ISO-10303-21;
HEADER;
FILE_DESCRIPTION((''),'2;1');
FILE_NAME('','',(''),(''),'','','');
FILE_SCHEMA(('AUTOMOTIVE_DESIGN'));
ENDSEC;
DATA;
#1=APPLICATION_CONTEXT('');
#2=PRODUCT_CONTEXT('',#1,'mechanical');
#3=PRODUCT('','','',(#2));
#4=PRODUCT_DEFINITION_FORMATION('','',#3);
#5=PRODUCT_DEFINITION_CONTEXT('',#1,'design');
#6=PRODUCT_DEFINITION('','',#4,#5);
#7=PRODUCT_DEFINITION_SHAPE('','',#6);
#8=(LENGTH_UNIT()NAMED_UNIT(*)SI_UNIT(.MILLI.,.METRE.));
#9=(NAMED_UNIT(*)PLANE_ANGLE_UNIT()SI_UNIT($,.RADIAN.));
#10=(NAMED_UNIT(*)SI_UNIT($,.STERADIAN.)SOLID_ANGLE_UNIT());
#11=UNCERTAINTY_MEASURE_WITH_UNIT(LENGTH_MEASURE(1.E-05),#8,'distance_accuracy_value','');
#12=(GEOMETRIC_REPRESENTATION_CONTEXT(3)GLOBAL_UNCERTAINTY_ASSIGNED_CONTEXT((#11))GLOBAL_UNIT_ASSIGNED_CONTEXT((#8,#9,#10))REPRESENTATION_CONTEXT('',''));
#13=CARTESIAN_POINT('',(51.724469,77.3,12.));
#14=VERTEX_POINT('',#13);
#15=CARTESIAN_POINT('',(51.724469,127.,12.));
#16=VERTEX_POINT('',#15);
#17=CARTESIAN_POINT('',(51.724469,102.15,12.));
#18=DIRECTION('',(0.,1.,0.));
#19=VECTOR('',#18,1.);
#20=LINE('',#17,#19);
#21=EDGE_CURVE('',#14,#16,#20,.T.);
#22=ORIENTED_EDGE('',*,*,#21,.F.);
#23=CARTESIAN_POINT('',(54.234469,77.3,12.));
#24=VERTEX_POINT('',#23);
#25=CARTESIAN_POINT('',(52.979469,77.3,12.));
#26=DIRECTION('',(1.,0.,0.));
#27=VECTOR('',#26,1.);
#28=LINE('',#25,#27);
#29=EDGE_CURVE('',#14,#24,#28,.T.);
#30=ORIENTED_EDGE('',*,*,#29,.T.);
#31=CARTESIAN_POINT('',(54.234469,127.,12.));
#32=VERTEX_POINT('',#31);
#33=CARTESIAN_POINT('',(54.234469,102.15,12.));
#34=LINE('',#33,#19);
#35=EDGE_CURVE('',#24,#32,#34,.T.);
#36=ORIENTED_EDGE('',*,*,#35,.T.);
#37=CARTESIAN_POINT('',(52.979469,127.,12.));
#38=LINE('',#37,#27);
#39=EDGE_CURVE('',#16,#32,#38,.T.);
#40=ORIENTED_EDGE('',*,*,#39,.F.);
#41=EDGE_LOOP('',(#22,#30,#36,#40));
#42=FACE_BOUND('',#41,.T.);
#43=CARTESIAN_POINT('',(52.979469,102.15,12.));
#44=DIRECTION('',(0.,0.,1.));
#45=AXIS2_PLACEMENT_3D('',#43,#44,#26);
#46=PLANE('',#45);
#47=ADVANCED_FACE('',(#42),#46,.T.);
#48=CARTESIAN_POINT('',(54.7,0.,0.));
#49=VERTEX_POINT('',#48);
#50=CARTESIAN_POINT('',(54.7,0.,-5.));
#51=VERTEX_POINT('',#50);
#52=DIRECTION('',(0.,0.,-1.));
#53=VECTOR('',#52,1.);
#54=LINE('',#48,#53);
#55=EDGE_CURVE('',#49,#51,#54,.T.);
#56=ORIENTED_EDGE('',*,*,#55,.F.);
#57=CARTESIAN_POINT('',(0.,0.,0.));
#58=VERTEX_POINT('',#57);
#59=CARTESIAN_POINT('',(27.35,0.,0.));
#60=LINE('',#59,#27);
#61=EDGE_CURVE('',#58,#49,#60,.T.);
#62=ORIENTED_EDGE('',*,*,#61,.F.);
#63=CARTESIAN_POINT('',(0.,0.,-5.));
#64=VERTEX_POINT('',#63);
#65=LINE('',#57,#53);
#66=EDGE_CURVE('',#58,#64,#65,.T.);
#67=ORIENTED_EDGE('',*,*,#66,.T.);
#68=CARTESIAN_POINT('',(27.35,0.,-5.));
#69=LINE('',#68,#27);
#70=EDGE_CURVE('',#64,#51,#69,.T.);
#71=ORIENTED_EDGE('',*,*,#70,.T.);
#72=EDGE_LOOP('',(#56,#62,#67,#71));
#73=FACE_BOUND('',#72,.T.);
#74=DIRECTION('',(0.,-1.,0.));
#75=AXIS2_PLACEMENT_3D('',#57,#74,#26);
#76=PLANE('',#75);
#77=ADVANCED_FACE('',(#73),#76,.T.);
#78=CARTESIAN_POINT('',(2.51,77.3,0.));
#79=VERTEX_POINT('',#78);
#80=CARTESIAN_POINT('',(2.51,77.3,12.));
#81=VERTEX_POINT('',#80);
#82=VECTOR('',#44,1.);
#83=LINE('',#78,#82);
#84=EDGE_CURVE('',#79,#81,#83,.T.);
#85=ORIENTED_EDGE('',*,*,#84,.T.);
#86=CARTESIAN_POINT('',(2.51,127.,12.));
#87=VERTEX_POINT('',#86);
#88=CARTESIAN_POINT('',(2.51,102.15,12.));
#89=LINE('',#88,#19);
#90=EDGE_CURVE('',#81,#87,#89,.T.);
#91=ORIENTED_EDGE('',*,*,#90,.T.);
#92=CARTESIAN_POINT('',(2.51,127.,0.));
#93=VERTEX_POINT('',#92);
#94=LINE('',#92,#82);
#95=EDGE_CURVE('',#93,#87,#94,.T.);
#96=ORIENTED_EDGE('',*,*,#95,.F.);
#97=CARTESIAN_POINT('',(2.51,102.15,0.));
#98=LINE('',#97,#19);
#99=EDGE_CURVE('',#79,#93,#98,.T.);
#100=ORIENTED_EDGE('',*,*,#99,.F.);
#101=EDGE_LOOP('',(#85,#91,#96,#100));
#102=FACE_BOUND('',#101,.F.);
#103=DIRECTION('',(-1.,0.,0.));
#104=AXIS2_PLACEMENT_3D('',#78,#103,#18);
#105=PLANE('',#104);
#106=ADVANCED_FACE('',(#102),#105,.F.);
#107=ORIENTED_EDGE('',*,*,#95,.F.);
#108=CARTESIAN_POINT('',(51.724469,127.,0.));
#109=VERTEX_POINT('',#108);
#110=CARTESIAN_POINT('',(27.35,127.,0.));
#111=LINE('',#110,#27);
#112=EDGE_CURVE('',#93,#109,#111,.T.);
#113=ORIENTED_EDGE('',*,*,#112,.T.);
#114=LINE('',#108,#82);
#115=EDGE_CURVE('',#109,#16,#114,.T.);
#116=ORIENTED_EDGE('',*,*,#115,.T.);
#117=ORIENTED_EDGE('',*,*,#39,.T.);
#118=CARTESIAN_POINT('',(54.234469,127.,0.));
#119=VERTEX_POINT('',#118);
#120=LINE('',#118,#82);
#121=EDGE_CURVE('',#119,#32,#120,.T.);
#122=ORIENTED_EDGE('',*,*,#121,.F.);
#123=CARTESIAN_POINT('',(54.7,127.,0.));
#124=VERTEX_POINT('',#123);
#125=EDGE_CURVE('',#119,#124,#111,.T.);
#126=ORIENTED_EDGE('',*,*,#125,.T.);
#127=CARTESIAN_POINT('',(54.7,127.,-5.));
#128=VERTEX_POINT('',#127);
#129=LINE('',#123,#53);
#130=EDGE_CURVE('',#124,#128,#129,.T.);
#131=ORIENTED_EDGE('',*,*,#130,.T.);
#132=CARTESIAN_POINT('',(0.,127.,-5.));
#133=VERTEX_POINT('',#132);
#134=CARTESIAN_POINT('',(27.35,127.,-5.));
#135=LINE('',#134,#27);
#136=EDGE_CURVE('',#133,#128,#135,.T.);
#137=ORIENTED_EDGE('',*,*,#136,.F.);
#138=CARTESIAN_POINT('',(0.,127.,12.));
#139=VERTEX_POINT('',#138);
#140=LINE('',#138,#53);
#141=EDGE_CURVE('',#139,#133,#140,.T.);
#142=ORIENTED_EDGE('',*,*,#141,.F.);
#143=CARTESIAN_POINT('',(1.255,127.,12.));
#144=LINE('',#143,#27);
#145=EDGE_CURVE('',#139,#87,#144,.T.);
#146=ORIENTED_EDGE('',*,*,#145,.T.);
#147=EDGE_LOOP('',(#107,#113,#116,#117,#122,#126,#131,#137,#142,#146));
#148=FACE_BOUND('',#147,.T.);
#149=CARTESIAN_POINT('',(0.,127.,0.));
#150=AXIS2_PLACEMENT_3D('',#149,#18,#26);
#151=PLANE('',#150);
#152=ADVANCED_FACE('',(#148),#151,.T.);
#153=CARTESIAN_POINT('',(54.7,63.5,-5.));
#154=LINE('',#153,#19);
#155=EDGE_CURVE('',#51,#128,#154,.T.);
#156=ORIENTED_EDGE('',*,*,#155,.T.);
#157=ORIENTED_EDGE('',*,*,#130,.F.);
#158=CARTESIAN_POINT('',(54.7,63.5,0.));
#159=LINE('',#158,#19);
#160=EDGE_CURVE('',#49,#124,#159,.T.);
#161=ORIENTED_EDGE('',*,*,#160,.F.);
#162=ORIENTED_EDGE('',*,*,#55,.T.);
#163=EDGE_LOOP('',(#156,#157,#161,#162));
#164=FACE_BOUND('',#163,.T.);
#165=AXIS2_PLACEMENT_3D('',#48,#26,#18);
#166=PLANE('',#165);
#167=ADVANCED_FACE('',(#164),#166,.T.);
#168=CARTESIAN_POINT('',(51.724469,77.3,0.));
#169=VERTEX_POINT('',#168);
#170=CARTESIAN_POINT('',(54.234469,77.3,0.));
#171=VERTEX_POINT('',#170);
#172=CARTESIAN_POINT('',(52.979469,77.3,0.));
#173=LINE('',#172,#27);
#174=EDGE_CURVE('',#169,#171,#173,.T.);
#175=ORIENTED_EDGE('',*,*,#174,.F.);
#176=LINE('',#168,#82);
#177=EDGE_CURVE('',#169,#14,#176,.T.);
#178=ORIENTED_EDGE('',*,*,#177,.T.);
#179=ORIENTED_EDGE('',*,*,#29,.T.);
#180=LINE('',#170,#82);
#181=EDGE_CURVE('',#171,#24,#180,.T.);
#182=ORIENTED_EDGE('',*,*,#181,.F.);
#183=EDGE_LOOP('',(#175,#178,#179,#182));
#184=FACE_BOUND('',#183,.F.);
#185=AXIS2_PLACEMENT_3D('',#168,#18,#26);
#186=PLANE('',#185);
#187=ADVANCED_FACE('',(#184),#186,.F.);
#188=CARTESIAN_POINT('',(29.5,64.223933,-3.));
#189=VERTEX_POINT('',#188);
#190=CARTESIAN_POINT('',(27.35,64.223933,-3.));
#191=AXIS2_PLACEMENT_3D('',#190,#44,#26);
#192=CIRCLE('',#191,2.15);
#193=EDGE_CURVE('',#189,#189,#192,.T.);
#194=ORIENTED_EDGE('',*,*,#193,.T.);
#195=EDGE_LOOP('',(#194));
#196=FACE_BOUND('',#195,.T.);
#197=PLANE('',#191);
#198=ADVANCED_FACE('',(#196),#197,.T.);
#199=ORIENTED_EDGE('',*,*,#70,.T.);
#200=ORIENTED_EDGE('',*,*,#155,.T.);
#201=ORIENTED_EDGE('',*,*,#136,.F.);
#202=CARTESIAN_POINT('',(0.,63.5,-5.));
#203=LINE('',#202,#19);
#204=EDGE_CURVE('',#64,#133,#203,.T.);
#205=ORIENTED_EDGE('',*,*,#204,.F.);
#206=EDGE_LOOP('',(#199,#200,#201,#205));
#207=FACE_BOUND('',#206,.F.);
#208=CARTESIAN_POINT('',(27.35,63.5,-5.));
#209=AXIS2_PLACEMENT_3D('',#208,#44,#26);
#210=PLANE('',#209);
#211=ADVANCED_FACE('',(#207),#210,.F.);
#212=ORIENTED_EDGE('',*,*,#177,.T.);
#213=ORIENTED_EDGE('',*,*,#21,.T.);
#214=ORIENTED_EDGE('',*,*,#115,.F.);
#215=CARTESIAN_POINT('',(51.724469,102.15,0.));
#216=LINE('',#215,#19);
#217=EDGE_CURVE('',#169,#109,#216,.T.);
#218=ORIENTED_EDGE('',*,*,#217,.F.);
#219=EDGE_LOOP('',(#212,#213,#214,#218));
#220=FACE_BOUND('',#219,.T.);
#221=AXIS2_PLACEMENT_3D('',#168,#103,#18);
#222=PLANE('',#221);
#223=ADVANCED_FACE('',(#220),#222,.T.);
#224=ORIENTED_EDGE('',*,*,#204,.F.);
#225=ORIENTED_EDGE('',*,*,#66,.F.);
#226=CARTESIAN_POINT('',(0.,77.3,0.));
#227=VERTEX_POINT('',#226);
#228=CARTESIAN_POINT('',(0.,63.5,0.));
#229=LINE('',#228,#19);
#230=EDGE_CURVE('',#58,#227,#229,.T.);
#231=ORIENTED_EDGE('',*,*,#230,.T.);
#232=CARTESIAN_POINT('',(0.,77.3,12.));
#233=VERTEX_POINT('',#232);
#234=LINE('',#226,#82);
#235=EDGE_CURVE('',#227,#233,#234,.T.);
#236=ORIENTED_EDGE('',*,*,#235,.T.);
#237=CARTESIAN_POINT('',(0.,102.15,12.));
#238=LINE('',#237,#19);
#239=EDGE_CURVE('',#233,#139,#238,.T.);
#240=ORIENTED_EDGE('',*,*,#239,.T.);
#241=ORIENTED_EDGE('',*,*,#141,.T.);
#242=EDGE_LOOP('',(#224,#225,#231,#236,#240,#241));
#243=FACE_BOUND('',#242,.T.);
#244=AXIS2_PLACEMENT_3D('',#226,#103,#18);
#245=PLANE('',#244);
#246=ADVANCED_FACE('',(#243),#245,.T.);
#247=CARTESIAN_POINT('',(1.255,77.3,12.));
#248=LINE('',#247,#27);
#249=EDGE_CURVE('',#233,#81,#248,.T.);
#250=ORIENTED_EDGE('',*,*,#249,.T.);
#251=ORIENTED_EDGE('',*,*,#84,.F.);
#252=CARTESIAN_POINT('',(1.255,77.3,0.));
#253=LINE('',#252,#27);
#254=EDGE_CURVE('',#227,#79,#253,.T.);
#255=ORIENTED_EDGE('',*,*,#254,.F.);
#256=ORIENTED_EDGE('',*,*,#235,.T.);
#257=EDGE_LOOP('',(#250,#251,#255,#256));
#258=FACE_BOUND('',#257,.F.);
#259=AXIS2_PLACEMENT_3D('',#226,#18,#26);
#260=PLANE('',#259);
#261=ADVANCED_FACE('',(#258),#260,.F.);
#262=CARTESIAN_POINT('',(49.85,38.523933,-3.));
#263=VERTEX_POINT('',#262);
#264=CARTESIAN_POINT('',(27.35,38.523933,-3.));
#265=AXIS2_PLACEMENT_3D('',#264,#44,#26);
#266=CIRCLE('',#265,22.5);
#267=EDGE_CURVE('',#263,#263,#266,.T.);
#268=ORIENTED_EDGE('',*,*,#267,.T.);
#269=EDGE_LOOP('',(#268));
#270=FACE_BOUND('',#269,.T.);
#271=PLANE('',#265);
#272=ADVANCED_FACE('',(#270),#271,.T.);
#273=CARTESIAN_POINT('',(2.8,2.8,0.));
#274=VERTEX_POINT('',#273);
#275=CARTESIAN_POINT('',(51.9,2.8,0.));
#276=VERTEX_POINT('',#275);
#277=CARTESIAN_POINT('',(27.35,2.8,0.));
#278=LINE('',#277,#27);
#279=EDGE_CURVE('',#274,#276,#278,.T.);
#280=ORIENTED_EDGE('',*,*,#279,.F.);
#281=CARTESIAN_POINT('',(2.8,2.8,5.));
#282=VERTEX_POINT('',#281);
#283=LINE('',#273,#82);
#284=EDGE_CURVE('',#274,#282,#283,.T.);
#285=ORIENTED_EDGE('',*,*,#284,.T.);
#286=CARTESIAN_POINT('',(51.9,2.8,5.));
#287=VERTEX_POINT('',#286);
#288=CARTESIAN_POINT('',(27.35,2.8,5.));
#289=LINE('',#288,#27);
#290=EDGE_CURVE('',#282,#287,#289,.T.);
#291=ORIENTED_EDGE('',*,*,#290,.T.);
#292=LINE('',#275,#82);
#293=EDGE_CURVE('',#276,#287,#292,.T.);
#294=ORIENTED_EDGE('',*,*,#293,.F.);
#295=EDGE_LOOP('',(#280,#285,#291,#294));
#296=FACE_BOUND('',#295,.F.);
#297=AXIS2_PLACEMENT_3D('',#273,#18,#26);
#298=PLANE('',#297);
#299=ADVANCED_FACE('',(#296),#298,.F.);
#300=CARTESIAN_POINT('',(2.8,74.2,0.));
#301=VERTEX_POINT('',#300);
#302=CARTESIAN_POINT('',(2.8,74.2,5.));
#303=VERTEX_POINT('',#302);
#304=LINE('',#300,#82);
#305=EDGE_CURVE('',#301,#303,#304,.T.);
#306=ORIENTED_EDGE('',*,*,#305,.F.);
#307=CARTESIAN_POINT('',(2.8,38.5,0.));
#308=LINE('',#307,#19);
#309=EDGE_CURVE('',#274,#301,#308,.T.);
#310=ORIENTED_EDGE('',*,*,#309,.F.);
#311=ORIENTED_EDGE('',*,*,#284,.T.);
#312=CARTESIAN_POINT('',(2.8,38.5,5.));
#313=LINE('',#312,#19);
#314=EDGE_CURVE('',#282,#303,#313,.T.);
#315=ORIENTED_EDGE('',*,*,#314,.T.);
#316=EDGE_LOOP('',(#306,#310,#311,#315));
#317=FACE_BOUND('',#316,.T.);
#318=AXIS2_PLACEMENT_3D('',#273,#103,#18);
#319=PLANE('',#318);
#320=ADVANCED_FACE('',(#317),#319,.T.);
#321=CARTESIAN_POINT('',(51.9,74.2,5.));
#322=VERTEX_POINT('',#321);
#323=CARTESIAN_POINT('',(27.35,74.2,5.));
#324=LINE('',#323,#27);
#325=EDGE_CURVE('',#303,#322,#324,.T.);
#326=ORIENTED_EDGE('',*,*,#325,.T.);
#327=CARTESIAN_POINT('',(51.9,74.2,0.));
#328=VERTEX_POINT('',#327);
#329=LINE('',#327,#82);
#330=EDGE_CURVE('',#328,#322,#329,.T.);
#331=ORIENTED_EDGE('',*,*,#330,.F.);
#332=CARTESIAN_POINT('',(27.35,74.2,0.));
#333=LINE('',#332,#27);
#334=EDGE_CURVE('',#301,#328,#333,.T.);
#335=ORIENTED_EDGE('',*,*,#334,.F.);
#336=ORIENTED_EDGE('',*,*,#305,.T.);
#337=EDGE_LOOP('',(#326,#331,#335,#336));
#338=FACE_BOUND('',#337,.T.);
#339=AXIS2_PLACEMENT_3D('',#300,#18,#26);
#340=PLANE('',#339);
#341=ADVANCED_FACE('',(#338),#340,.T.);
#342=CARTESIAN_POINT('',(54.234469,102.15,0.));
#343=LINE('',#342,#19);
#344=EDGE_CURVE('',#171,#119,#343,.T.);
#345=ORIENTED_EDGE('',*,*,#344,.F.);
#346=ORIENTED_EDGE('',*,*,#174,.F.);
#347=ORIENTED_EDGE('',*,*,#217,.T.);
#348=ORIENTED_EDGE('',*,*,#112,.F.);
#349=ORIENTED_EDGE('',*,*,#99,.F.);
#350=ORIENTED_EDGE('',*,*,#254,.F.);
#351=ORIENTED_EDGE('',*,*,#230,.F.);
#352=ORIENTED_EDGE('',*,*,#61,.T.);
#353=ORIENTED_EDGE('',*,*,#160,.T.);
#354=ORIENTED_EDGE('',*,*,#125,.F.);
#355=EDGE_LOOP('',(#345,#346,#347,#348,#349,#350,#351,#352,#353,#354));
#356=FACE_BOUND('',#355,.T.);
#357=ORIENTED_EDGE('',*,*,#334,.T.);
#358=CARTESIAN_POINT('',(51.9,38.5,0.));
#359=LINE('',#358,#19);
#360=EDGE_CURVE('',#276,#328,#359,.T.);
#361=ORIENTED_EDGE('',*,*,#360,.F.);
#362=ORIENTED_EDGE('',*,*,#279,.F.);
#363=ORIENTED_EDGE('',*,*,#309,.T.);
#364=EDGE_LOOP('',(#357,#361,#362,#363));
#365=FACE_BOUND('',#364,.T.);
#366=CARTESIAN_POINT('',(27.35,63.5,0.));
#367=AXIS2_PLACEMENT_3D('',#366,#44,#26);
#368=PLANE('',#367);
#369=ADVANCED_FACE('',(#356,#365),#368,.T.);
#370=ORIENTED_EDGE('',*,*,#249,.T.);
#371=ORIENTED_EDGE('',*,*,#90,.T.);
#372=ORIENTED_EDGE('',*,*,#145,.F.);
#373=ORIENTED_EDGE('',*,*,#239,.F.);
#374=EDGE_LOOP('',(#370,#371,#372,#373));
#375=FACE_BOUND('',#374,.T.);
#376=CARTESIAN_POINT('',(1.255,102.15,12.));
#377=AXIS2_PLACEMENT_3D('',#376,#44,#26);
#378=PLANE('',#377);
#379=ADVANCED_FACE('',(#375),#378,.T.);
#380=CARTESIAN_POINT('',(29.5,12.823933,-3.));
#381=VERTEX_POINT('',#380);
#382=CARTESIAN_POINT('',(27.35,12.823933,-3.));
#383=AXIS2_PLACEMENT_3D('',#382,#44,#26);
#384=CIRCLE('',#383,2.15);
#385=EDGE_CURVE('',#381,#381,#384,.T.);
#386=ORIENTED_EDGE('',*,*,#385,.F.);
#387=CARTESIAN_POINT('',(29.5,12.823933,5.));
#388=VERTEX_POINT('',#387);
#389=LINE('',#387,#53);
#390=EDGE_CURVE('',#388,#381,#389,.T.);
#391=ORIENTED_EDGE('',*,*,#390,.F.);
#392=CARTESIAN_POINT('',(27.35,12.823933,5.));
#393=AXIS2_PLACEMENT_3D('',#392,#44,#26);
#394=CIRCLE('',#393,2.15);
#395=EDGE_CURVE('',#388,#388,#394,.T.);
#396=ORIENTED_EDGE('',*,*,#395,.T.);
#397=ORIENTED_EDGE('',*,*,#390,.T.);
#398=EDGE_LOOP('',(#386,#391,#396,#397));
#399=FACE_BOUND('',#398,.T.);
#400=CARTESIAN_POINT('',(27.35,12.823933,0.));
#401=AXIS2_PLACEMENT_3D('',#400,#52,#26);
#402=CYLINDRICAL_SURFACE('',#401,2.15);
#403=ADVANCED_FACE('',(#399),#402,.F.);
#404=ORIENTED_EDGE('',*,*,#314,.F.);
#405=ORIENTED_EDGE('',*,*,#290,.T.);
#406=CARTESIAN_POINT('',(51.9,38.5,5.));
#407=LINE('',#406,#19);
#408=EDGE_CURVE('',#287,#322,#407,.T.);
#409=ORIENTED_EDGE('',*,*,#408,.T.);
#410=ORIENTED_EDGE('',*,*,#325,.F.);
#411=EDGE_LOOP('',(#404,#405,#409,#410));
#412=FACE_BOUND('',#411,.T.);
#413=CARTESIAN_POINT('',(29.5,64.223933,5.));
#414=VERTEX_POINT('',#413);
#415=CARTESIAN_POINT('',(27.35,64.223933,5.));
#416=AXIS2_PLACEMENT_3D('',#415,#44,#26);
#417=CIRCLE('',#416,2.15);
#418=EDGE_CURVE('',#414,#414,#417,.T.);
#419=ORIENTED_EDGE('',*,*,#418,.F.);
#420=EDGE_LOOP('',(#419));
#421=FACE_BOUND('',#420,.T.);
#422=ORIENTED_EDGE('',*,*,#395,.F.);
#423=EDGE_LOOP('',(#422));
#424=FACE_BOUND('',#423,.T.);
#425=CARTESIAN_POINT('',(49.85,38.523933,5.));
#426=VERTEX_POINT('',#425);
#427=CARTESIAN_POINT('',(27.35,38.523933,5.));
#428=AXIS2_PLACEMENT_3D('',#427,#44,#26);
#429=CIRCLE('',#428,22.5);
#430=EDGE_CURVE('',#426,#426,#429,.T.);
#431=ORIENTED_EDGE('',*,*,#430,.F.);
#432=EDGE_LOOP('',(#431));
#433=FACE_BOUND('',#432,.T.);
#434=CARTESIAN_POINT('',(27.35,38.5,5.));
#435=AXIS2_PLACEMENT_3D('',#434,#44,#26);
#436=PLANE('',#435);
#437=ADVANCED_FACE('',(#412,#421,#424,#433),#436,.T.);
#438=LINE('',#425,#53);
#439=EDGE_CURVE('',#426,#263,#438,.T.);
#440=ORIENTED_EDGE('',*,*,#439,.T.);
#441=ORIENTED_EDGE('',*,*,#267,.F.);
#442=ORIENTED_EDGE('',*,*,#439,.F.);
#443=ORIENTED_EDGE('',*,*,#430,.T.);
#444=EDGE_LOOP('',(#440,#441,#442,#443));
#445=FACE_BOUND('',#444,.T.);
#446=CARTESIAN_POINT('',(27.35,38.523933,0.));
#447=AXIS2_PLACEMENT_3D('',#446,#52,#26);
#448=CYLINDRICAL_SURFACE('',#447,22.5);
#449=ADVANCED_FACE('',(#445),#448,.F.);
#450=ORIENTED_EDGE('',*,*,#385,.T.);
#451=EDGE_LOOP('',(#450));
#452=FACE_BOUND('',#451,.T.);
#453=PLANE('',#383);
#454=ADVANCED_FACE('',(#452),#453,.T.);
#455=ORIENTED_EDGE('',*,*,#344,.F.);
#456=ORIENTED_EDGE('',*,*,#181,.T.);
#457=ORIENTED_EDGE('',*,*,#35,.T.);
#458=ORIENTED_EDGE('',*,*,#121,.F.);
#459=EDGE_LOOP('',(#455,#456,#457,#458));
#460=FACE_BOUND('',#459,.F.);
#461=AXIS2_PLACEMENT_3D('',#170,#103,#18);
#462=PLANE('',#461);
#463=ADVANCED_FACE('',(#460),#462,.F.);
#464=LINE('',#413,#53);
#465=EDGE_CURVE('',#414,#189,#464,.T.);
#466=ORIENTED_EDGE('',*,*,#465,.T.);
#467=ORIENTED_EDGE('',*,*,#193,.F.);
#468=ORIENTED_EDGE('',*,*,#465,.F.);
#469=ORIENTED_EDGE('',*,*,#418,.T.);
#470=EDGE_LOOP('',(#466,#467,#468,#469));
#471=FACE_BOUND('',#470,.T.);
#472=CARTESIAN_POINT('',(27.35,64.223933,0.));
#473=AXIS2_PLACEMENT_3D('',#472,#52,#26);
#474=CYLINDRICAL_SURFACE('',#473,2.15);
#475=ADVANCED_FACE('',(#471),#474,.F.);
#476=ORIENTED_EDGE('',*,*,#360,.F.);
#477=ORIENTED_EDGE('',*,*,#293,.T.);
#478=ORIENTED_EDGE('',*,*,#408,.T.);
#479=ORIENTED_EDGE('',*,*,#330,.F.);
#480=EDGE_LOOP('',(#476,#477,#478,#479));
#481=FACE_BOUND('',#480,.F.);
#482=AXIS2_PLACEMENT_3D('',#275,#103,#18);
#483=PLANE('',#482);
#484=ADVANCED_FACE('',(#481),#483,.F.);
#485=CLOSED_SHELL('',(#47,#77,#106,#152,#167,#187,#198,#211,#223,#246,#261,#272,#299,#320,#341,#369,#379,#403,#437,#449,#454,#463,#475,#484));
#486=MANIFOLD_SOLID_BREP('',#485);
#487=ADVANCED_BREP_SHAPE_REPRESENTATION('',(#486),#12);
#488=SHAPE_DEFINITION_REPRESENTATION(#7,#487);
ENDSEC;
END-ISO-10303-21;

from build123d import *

# Parameters (mm, degrees)
SKETCH_W      = 54.7
SKETCH_H      = 127
PAD_DEPTH     = 5
SKETCH001_W   = 49.1
SKETCH001_H   = 71.4
SKETCH001_R   = 2.15
SKETCH001_R_2 = 22.5
PAD001_DEPTH  = 5
SKETCH002_R   = 2.15
SKETCH002_R_2 = 22.5
POCKET_DEPTH  = 3
SKETCH003_W   = 2.51
SKETCH003_H   = 49.7
PAD002_DEPTH  = 12


with BuildPart() as part:
    # Sketch → Pad (new body)
    with BuildSketch(Plane.XY):
        with Locations((27.35, 63.5)):
            Rectangle(SKETCH_W, SKETCH_H)
    extrude(amount=-PAD_DEPTH)

    # Sketch001 → Pad001 (join)
    with BuildSketch(Plane.XY):
        with Locations((27.35, 38.5)):
            Rectangle(SKETCH001_W, SKETCH001_H)
        with Locations((27.35, 12.823933)):
            Circle(SKETCH001_R, mode=Mode.SUBTRACT)
        with Locations((27.35, 64.223933)):
            Circle(SKETCH001_R, mode=Mode.SUBTRACT)
        with Locations((27.35, 38.523933)):
            Circle(SKETCH001_R_2, mode=Mode.SUBTRACT)
    extrude(amount=PAD001_DEPTH)

    # Sketch002 → Pocket (cut)
    with BuildSketch(Plane.XY):
        with Locations((27.35, 12.823933)):
            Circle(SKETCH002_R)
        with Locations((27.35, 64.223933)):
            Circle(SKETCH002_R)
        with Locations((27.35, 38.523933)):
            Circle(SKETCH002_R_2)
    extrude(amount=-POCKET_DEPTH, mode=Mode.SUBTRACT)

    # Sketch003 → Pad002 (join)
    with BuildSketch(Plane.XY):
        with Locations((1.255, 102.15)):
            Rectangle(SKETCH003_W, SKETCH003_H)
        with Locations((52.979469, 102.15)):
            Rectangle(SKETCH003_W, SKETCH003_H)
    extrude(amount=PAD002_DEPTH)


solid = part.part
